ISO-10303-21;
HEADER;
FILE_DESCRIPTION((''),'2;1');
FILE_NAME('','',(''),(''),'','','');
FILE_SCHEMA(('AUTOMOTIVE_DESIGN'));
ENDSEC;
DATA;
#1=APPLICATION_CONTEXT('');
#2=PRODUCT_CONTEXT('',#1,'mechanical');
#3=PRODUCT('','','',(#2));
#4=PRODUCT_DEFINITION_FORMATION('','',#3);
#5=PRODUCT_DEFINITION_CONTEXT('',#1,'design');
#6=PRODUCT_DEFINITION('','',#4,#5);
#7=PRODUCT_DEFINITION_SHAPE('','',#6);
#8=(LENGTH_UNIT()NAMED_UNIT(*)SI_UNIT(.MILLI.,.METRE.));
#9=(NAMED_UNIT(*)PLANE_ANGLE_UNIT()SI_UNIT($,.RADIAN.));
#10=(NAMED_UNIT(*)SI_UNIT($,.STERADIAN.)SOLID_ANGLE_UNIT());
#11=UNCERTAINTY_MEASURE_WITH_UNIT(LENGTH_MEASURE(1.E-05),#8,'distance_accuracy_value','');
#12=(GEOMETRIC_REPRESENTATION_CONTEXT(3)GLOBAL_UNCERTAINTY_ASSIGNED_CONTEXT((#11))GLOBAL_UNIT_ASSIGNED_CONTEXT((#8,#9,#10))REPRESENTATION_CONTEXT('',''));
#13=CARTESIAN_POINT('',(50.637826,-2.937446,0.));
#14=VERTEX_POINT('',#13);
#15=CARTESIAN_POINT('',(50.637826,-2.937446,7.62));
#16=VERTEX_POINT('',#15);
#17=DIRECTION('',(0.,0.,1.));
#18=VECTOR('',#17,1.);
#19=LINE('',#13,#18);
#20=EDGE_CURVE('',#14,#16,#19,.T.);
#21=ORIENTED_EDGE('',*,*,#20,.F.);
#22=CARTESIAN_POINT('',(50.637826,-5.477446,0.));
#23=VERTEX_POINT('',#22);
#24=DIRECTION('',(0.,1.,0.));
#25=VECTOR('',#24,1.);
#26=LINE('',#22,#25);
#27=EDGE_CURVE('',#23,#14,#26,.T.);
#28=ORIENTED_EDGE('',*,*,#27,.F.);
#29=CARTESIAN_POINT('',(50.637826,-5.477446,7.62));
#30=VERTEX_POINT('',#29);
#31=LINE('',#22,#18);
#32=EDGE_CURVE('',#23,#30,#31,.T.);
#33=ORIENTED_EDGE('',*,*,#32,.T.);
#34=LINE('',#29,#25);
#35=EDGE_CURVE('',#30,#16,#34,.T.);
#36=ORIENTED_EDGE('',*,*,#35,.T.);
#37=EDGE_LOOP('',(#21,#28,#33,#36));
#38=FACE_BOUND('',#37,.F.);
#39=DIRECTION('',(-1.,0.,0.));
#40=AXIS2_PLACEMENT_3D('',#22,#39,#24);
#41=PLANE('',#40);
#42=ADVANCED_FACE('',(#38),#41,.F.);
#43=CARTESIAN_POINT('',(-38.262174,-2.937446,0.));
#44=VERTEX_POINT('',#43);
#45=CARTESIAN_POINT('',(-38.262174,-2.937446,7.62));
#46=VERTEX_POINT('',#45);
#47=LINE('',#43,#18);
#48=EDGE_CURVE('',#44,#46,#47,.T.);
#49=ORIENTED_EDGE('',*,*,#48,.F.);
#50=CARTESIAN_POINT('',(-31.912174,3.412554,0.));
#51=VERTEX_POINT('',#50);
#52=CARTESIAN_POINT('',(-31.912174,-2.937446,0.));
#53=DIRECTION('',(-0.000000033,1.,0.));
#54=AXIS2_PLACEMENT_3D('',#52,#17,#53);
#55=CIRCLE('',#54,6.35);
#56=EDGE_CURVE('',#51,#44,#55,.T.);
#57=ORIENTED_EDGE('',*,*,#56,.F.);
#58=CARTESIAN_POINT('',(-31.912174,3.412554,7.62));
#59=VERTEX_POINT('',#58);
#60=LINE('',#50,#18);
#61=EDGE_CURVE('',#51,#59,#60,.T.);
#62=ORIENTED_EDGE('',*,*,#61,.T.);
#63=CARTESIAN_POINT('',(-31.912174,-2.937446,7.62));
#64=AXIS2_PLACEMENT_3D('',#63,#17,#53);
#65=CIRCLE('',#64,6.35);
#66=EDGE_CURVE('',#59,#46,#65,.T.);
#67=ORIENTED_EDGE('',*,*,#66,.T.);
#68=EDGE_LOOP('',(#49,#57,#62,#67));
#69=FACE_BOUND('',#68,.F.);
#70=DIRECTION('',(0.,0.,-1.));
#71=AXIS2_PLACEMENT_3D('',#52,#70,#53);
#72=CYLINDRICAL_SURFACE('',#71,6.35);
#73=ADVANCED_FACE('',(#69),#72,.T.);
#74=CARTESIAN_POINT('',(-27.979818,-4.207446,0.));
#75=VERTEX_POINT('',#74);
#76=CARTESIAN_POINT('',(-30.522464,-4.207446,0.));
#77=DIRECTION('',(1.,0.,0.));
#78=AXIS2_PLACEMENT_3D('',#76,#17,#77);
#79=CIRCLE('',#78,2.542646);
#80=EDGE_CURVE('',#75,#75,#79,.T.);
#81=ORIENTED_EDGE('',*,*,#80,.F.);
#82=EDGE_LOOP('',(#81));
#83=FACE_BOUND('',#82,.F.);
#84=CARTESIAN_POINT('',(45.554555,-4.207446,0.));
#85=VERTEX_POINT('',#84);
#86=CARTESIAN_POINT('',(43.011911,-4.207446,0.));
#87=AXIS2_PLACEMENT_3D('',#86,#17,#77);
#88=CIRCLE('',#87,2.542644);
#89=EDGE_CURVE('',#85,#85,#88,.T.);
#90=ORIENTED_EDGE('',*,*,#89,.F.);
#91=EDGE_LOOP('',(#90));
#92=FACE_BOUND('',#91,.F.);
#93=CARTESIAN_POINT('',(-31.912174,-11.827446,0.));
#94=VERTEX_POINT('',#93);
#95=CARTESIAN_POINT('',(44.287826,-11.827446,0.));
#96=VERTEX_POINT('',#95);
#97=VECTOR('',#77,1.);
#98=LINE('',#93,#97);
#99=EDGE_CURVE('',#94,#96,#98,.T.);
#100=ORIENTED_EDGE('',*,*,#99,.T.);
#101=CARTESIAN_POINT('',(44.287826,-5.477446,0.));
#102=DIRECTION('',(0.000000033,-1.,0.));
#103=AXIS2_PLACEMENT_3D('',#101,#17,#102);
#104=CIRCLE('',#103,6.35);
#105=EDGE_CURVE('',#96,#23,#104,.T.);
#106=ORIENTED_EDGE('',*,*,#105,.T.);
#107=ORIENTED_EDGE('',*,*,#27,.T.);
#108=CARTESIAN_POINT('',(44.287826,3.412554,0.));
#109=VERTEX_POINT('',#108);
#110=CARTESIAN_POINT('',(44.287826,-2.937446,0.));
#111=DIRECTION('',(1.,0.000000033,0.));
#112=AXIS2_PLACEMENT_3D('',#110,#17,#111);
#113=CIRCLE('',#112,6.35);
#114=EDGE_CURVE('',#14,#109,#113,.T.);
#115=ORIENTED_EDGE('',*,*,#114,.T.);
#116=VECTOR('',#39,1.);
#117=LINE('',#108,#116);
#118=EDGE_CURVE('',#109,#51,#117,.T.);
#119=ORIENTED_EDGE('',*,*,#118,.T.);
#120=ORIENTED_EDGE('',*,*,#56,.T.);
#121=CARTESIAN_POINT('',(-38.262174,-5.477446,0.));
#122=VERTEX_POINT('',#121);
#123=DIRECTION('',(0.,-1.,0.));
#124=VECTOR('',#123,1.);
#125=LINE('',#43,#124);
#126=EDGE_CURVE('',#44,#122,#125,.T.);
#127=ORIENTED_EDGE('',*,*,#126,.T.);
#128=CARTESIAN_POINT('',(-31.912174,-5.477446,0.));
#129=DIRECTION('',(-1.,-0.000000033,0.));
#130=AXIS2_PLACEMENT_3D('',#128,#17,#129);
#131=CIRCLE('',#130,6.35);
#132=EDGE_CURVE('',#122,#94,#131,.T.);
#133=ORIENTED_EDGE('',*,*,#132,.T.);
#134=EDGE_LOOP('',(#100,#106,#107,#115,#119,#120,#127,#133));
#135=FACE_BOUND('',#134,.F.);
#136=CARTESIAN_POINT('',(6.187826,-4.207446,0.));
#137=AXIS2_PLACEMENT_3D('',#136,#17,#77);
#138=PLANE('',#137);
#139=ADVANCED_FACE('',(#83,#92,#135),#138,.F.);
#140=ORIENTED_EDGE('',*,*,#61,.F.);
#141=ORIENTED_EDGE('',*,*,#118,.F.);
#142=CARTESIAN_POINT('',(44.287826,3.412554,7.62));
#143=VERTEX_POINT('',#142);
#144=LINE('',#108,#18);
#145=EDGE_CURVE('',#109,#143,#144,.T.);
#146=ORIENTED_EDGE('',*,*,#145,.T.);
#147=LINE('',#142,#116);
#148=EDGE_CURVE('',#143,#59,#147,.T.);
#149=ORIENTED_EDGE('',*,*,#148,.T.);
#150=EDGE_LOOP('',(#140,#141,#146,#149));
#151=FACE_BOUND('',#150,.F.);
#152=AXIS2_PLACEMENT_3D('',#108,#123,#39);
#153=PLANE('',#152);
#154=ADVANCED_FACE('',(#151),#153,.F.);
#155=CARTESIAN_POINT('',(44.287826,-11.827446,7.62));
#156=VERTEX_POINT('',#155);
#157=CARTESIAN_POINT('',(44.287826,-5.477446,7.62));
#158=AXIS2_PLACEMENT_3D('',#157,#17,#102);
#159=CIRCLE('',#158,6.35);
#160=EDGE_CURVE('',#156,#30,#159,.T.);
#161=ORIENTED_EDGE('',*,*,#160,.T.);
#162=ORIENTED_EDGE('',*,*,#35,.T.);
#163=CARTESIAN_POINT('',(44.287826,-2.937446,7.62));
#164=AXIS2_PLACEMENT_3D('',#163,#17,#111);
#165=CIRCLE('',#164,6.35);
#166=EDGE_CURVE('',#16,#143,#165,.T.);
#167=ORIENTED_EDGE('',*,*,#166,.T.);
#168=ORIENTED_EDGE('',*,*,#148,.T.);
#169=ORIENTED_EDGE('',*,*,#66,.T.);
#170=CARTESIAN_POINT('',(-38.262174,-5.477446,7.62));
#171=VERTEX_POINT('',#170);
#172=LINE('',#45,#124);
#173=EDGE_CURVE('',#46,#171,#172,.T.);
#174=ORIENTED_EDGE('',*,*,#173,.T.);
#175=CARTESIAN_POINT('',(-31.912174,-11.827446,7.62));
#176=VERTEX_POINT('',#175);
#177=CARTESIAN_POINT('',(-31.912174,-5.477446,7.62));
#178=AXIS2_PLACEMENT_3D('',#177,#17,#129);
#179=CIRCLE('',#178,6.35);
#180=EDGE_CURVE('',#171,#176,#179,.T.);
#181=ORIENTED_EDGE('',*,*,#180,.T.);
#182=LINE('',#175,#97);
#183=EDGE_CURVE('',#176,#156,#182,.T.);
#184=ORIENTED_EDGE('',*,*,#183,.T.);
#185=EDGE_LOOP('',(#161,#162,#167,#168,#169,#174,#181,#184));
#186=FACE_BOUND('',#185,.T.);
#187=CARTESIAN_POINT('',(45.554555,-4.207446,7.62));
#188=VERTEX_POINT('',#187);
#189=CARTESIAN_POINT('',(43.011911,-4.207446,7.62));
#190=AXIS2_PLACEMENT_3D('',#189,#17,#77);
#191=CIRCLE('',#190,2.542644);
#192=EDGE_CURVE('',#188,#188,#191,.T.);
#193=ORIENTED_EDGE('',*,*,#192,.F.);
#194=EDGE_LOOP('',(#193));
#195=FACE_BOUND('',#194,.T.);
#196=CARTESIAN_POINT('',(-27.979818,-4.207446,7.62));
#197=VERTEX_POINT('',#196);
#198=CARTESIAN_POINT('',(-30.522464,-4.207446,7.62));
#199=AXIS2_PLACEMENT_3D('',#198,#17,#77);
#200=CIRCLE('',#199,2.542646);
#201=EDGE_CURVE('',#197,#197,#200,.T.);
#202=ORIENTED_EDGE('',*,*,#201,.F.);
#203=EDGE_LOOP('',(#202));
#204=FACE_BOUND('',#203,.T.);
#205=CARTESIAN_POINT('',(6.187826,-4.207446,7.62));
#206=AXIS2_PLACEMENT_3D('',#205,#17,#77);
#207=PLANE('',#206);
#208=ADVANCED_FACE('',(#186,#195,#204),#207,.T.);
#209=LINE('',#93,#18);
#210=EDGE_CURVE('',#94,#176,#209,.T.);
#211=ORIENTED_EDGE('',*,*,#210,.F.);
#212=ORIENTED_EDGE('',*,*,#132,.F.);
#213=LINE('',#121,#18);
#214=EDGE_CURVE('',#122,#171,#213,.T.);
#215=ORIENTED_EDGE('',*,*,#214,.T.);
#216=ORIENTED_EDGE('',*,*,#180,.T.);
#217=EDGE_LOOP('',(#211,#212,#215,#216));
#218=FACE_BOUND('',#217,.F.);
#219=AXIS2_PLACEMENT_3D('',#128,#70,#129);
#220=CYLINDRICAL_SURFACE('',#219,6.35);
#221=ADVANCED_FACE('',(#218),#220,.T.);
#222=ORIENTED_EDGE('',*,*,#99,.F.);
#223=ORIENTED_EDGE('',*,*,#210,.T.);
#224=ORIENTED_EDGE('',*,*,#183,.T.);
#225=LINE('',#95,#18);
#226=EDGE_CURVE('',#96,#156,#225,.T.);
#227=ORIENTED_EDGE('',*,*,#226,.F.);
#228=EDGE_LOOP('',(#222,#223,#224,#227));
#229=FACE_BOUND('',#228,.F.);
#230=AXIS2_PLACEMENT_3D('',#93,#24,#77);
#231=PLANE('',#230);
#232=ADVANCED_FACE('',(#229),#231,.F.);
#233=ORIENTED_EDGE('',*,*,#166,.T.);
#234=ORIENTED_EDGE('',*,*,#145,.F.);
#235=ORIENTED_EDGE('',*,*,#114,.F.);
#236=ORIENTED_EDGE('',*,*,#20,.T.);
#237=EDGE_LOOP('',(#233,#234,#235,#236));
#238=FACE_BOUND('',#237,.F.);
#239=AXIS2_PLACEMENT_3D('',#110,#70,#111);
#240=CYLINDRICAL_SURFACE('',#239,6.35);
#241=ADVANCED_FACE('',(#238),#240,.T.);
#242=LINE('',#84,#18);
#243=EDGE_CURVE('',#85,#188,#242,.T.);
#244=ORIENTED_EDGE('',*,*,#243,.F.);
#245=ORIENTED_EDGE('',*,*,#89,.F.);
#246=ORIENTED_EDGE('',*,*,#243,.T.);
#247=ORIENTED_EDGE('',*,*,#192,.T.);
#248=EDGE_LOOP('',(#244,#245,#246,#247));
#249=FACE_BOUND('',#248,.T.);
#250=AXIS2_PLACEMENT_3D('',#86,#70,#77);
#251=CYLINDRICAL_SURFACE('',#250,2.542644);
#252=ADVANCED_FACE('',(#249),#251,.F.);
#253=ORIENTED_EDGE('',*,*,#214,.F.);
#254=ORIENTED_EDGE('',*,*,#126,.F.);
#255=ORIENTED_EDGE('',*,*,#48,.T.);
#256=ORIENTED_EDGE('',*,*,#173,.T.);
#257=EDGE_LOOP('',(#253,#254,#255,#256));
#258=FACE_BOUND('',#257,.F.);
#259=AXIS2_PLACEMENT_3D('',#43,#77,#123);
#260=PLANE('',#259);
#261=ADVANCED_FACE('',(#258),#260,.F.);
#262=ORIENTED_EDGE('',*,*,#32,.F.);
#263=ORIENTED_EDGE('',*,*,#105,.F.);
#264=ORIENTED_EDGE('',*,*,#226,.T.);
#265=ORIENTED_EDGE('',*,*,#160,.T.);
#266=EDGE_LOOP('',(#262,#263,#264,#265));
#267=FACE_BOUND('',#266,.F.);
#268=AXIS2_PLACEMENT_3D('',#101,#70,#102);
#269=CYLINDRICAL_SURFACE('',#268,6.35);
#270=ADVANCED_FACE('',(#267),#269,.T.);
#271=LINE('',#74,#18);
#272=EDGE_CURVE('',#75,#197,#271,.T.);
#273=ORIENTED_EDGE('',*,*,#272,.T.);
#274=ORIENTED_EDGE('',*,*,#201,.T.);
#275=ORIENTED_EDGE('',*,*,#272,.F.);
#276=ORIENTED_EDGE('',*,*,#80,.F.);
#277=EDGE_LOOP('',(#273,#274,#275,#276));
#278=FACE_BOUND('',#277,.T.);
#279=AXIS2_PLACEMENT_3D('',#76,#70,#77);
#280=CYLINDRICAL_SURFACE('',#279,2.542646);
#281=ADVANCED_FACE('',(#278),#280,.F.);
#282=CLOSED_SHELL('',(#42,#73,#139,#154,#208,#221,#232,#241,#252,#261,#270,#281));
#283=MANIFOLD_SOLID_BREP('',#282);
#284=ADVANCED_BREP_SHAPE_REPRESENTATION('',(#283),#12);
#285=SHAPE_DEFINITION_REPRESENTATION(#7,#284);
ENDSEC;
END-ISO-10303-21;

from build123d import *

# Parameters (mm, degrees)
F0_R     = 2.542646
F0_R_2   = 2.542644
F1_DEPTH = 7.62


with BuildPart() as f1:
    # F0 (on Top) → F1 (new body)
    with BuildSketch(Plane.XY):
        with BuildLine():
            Line((44.287826, 3.412554), (-31.912174, 3.412554))
            ThreePointArc((-31.912174, 3.412554), (-36.402302, 1.552682), (-38.262174, -2.937446))
            Line((-38.262174, -2.937446), (-38.262174, -5.477446))
            ThreePointArc((-38.262174, -5.477446), (-36.402302, -9.967574), (-31.912174, -11.827446))
            Line((-31.912174, -11.827446), (44.287826, -11.827446))
            ThreePointArc((44.287826, -11.827446), (48.777954, -9.967574), (50.637826, -5.477446))
            Line((50.637826, -5.477446), (50.637826, -2.937446))
            ThreePointArc((50.637826, -2.937446), (48.777954, 1.552682), (44.287826, 3.412554))
        make_face()
        with Locations((-30.522464, -4.207446)):
            Circle(F0_R, mode=Mode.SUBTRACT)
        with Locations((43.011911, -4.207446)):
            Circle(F0_R_2, mode=Mode.SUBTRACT)
    extrude(amount=F1_DEPTH)


solid = f1.part
